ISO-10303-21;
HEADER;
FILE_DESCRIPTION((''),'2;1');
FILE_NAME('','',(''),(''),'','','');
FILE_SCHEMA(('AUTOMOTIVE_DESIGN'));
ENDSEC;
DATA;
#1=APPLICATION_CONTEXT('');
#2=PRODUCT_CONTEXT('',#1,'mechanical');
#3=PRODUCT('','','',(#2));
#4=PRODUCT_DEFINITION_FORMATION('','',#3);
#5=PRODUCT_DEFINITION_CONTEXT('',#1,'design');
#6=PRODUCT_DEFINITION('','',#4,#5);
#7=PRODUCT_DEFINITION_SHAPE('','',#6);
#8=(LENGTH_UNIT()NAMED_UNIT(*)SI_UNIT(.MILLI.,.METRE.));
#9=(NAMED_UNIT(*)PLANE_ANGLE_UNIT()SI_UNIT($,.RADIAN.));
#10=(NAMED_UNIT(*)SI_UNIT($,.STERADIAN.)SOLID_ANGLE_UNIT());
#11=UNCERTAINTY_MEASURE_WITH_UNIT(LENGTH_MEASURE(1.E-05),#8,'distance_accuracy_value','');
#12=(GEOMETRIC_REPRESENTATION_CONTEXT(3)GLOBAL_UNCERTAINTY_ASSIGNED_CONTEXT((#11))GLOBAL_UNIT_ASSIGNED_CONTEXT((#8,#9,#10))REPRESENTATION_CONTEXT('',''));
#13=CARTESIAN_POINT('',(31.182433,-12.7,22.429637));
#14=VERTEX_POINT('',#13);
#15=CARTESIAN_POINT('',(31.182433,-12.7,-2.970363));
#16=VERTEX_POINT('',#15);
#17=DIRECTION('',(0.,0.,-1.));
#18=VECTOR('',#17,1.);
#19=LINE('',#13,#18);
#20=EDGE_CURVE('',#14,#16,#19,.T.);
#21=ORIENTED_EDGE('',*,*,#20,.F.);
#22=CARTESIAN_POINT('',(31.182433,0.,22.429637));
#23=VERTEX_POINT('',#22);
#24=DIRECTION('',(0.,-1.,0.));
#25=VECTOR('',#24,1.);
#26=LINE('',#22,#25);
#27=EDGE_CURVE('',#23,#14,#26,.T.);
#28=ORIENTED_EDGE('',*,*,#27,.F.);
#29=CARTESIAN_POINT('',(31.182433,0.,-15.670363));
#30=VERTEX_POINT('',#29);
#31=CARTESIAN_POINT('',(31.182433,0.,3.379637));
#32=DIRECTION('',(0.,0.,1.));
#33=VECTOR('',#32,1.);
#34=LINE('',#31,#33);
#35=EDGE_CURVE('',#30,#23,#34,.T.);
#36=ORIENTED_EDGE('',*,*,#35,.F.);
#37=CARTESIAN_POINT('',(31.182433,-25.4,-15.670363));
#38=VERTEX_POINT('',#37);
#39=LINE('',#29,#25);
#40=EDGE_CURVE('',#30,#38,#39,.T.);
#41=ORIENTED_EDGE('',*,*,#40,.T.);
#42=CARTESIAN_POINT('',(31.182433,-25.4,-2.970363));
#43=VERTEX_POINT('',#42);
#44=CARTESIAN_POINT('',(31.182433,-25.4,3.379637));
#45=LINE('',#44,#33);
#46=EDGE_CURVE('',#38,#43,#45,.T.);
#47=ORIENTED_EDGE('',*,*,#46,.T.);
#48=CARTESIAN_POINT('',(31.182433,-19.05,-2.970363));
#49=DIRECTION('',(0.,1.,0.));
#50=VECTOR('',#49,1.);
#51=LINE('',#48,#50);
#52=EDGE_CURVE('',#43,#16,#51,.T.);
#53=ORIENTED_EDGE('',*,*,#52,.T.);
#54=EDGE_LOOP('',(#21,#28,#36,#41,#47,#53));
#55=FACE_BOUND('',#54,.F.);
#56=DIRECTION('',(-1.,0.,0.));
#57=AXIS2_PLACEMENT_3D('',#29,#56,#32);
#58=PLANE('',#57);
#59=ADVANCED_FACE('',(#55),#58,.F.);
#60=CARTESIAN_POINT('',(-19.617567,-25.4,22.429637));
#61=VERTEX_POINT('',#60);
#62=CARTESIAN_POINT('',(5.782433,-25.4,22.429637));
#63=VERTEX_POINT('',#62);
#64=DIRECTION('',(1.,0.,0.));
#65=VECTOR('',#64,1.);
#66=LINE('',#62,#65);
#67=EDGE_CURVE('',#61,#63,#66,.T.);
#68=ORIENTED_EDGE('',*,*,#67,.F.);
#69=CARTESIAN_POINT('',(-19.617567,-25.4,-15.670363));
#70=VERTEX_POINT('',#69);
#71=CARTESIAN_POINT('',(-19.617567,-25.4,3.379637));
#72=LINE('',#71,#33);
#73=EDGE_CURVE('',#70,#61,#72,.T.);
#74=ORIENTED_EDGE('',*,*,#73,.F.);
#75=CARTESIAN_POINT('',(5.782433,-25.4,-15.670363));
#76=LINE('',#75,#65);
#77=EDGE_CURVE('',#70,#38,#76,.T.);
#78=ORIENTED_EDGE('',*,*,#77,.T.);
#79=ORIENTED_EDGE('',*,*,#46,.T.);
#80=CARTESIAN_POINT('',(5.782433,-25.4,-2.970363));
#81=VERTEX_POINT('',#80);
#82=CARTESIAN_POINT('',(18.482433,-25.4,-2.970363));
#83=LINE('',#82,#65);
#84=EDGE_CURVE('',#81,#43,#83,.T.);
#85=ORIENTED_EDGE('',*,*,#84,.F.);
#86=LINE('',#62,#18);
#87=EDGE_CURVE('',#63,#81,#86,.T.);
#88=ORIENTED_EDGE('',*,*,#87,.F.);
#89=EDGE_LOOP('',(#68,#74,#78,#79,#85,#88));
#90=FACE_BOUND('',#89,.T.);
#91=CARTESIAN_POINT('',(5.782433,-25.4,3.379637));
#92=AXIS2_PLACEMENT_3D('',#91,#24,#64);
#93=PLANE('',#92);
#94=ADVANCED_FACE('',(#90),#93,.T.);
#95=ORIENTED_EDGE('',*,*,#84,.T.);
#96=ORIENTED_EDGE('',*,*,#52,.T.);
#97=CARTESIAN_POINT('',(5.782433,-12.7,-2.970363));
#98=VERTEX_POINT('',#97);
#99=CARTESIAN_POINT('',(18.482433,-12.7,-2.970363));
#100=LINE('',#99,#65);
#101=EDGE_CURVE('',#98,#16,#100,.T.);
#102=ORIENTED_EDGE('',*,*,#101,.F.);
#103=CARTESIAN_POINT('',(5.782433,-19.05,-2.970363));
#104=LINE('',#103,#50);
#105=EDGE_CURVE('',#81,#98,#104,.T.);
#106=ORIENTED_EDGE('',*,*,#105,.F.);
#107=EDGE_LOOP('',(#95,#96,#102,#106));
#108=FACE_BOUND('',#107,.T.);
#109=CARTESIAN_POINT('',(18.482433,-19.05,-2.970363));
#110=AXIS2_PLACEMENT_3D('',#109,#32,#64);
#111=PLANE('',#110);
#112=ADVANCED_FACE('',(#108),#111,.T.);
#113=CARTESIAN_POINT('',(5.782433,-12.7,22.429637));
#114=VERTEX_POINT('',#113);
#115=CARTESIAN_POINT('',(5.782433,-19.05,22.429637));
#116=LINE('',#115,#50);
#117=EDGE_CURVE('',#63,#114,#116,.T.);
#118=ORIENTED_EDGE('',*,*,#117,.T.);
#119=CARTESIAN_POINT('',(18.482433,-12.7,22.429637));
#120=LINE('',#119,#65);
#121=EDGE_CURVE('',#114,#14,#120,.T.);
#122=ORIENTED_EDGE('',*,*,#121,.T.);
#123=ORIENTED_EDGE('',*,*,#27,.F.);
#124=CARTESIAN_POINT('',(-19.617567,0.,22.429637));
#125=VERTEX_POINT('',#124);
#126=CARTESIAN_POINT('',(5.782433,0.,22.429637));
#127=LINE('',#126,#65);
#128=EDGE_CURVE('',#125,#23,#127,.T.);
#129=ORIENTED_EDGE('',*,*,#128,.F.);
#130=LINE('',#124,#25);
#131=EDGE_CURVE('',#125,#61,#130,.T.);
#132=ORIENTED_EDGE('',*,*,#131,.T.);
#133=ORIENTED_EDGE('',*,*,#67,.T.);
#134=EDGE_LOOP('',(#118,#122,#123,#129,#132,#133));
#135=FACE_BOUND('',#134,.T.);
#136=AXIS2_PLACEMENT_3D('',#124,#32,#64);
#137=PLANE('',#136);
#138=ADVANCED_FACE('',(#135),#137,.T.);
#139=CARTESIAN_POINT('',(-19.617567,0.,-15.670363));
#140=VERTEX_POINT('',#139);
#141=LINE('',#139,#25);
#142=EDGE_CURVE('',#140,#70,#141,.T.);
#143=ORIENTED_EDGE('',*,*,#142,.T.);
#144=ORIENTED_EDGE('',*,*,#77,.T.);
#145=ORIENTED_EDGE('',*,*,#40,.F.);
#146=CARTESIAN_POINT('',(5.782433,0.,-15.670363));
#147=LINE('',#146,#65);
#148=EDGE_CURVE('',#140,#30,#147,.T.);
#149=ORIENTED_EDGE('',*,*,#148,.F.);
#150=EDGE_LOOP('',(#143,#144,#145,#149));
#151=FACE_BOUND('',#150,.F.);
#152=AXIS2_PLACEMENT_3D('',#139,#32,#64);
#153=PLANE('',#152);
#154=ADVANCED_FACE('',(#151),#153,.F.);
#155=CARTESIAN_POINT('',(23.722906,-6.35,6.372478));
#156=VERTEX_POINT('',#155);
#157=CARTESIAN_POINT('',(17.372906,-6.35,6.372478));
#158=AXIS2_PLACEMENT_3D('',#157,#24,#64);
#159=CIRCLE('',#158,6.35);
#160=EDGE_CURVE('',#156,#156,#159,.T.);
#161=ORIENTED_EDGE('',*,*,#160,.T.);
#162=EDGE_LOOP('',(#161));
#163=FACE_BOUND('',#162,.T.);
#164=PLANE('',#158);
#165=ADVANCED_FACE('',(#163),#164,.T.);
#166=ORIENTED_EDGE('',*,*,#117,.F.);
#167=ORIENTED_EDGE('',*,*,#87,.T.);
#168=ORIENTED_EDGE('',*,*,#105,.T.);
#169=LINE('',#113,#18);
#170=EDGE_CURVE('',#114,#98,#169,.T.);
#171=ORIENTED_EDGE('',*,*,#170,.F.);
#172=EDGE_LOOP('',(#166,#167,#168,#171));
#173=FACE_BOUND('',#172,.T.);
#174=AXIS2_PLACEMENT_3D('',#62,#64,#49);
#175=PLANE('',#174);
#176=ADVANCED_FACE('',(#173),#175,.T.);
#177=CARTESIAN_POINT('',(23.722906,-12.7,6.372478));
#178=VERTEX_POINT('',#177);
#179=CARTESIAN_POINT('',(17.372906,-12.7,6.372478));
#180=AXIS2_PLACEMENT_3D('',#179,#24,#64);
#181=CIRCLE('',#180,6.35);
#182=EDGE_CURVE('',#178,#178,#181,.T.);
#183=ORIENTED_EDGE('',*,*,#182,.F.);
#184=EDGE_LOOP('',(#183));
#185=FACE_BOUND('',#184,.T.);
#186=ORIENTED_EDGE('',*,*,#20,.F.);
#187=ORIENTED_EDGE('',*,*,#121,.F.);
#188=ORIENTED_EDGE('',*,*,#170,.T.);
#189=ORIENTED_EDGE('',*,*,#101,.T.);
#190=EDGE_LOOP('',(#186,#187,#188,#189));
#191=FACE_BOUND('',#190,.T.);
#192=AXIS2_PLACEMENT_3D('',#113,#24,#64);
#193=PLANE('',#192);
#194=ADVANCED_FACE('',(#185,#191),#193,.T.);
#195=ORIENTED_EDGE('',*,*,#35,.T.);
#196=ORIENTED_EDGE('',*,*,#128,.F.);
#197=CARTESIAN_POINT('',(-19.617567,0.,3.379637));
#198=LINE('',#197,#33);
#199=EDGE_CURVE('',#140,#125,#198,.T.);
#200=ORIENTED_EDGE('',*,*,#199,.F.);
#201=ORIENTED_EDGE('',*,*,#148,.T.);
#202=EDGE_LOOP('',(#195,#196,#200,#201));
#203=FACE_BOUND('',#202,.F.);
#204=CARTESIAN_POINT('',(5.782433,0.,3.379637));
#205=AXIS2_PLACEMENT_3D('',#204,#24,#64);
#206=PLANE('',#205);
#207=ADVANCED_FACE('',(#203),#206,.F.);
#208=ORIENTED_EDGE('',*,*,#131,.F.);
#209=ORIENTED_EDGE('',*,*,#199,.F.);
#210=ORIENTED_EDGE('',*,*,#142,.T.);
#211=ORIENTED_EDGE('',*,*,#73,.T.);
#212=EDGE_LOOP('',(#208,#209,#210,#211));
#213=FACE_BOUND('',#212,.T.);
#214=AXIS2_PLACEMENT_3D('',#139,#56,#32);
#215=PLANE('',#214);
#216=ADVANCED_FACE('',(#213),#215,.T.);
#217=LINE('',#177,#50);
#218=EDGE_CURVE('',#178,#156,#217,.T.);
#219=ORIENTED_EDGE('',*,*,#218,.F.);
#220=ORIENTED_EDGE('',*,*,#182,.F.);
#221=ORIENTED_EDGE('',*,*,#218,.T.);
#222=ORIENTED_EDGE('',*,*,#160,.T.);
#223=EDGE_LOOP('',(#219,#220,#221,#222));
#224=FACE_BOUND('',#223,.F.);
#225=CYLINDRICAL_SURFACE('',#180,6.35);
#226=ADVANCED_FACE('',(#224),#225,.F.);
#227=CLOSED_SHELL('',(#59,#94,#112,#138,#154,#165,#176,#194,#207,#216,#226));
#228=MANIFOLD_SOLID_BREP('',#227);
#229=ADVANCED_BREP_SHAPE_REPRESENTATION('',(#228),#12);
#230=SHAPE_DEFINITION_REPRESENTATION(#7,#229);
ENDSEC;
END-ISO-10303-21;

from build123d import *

# Parameters (mm, degrees)
F0_W     = 50.8
F0_H     = 38.1
F1_DEPTH = 25.4
F2_W     = 25.4
F2_H     = 12.7
F3_DEPTH = 25.4
F4_R     = 6.35
F5_DEPTH = 6.35


with BuildPart() as f1:
    # F0 (on Front) → F1 (new body)
    with BuildSketch(Plane.XZ):
        with Locations((5.782433, 3.379637)):
            Rectangle(F0_W, F0_H)
    extrude(amount=F1_DEPTH)

    # F2 (on face) → F3 (cut)
    with BuildSketch(Plane.XY.offset(22.429637)):
        with Locations((18.482433, -19.05)):
            Rectangle(F2_W, F2_H)
    extrude(amount=-F3_DEPTH, mode=Mode.SUBTRACT)

    # F4 (on face) → F5 (cut)
    with BuildSketch(Plane.XZ.offset(12.7)):
        with Locations((17.372906, 6.372478)):
            Circle(F4_R)
    extrude(amount=-F5_DEPTH, mode=Mode.SUBTRACT)


solid = f1.part
